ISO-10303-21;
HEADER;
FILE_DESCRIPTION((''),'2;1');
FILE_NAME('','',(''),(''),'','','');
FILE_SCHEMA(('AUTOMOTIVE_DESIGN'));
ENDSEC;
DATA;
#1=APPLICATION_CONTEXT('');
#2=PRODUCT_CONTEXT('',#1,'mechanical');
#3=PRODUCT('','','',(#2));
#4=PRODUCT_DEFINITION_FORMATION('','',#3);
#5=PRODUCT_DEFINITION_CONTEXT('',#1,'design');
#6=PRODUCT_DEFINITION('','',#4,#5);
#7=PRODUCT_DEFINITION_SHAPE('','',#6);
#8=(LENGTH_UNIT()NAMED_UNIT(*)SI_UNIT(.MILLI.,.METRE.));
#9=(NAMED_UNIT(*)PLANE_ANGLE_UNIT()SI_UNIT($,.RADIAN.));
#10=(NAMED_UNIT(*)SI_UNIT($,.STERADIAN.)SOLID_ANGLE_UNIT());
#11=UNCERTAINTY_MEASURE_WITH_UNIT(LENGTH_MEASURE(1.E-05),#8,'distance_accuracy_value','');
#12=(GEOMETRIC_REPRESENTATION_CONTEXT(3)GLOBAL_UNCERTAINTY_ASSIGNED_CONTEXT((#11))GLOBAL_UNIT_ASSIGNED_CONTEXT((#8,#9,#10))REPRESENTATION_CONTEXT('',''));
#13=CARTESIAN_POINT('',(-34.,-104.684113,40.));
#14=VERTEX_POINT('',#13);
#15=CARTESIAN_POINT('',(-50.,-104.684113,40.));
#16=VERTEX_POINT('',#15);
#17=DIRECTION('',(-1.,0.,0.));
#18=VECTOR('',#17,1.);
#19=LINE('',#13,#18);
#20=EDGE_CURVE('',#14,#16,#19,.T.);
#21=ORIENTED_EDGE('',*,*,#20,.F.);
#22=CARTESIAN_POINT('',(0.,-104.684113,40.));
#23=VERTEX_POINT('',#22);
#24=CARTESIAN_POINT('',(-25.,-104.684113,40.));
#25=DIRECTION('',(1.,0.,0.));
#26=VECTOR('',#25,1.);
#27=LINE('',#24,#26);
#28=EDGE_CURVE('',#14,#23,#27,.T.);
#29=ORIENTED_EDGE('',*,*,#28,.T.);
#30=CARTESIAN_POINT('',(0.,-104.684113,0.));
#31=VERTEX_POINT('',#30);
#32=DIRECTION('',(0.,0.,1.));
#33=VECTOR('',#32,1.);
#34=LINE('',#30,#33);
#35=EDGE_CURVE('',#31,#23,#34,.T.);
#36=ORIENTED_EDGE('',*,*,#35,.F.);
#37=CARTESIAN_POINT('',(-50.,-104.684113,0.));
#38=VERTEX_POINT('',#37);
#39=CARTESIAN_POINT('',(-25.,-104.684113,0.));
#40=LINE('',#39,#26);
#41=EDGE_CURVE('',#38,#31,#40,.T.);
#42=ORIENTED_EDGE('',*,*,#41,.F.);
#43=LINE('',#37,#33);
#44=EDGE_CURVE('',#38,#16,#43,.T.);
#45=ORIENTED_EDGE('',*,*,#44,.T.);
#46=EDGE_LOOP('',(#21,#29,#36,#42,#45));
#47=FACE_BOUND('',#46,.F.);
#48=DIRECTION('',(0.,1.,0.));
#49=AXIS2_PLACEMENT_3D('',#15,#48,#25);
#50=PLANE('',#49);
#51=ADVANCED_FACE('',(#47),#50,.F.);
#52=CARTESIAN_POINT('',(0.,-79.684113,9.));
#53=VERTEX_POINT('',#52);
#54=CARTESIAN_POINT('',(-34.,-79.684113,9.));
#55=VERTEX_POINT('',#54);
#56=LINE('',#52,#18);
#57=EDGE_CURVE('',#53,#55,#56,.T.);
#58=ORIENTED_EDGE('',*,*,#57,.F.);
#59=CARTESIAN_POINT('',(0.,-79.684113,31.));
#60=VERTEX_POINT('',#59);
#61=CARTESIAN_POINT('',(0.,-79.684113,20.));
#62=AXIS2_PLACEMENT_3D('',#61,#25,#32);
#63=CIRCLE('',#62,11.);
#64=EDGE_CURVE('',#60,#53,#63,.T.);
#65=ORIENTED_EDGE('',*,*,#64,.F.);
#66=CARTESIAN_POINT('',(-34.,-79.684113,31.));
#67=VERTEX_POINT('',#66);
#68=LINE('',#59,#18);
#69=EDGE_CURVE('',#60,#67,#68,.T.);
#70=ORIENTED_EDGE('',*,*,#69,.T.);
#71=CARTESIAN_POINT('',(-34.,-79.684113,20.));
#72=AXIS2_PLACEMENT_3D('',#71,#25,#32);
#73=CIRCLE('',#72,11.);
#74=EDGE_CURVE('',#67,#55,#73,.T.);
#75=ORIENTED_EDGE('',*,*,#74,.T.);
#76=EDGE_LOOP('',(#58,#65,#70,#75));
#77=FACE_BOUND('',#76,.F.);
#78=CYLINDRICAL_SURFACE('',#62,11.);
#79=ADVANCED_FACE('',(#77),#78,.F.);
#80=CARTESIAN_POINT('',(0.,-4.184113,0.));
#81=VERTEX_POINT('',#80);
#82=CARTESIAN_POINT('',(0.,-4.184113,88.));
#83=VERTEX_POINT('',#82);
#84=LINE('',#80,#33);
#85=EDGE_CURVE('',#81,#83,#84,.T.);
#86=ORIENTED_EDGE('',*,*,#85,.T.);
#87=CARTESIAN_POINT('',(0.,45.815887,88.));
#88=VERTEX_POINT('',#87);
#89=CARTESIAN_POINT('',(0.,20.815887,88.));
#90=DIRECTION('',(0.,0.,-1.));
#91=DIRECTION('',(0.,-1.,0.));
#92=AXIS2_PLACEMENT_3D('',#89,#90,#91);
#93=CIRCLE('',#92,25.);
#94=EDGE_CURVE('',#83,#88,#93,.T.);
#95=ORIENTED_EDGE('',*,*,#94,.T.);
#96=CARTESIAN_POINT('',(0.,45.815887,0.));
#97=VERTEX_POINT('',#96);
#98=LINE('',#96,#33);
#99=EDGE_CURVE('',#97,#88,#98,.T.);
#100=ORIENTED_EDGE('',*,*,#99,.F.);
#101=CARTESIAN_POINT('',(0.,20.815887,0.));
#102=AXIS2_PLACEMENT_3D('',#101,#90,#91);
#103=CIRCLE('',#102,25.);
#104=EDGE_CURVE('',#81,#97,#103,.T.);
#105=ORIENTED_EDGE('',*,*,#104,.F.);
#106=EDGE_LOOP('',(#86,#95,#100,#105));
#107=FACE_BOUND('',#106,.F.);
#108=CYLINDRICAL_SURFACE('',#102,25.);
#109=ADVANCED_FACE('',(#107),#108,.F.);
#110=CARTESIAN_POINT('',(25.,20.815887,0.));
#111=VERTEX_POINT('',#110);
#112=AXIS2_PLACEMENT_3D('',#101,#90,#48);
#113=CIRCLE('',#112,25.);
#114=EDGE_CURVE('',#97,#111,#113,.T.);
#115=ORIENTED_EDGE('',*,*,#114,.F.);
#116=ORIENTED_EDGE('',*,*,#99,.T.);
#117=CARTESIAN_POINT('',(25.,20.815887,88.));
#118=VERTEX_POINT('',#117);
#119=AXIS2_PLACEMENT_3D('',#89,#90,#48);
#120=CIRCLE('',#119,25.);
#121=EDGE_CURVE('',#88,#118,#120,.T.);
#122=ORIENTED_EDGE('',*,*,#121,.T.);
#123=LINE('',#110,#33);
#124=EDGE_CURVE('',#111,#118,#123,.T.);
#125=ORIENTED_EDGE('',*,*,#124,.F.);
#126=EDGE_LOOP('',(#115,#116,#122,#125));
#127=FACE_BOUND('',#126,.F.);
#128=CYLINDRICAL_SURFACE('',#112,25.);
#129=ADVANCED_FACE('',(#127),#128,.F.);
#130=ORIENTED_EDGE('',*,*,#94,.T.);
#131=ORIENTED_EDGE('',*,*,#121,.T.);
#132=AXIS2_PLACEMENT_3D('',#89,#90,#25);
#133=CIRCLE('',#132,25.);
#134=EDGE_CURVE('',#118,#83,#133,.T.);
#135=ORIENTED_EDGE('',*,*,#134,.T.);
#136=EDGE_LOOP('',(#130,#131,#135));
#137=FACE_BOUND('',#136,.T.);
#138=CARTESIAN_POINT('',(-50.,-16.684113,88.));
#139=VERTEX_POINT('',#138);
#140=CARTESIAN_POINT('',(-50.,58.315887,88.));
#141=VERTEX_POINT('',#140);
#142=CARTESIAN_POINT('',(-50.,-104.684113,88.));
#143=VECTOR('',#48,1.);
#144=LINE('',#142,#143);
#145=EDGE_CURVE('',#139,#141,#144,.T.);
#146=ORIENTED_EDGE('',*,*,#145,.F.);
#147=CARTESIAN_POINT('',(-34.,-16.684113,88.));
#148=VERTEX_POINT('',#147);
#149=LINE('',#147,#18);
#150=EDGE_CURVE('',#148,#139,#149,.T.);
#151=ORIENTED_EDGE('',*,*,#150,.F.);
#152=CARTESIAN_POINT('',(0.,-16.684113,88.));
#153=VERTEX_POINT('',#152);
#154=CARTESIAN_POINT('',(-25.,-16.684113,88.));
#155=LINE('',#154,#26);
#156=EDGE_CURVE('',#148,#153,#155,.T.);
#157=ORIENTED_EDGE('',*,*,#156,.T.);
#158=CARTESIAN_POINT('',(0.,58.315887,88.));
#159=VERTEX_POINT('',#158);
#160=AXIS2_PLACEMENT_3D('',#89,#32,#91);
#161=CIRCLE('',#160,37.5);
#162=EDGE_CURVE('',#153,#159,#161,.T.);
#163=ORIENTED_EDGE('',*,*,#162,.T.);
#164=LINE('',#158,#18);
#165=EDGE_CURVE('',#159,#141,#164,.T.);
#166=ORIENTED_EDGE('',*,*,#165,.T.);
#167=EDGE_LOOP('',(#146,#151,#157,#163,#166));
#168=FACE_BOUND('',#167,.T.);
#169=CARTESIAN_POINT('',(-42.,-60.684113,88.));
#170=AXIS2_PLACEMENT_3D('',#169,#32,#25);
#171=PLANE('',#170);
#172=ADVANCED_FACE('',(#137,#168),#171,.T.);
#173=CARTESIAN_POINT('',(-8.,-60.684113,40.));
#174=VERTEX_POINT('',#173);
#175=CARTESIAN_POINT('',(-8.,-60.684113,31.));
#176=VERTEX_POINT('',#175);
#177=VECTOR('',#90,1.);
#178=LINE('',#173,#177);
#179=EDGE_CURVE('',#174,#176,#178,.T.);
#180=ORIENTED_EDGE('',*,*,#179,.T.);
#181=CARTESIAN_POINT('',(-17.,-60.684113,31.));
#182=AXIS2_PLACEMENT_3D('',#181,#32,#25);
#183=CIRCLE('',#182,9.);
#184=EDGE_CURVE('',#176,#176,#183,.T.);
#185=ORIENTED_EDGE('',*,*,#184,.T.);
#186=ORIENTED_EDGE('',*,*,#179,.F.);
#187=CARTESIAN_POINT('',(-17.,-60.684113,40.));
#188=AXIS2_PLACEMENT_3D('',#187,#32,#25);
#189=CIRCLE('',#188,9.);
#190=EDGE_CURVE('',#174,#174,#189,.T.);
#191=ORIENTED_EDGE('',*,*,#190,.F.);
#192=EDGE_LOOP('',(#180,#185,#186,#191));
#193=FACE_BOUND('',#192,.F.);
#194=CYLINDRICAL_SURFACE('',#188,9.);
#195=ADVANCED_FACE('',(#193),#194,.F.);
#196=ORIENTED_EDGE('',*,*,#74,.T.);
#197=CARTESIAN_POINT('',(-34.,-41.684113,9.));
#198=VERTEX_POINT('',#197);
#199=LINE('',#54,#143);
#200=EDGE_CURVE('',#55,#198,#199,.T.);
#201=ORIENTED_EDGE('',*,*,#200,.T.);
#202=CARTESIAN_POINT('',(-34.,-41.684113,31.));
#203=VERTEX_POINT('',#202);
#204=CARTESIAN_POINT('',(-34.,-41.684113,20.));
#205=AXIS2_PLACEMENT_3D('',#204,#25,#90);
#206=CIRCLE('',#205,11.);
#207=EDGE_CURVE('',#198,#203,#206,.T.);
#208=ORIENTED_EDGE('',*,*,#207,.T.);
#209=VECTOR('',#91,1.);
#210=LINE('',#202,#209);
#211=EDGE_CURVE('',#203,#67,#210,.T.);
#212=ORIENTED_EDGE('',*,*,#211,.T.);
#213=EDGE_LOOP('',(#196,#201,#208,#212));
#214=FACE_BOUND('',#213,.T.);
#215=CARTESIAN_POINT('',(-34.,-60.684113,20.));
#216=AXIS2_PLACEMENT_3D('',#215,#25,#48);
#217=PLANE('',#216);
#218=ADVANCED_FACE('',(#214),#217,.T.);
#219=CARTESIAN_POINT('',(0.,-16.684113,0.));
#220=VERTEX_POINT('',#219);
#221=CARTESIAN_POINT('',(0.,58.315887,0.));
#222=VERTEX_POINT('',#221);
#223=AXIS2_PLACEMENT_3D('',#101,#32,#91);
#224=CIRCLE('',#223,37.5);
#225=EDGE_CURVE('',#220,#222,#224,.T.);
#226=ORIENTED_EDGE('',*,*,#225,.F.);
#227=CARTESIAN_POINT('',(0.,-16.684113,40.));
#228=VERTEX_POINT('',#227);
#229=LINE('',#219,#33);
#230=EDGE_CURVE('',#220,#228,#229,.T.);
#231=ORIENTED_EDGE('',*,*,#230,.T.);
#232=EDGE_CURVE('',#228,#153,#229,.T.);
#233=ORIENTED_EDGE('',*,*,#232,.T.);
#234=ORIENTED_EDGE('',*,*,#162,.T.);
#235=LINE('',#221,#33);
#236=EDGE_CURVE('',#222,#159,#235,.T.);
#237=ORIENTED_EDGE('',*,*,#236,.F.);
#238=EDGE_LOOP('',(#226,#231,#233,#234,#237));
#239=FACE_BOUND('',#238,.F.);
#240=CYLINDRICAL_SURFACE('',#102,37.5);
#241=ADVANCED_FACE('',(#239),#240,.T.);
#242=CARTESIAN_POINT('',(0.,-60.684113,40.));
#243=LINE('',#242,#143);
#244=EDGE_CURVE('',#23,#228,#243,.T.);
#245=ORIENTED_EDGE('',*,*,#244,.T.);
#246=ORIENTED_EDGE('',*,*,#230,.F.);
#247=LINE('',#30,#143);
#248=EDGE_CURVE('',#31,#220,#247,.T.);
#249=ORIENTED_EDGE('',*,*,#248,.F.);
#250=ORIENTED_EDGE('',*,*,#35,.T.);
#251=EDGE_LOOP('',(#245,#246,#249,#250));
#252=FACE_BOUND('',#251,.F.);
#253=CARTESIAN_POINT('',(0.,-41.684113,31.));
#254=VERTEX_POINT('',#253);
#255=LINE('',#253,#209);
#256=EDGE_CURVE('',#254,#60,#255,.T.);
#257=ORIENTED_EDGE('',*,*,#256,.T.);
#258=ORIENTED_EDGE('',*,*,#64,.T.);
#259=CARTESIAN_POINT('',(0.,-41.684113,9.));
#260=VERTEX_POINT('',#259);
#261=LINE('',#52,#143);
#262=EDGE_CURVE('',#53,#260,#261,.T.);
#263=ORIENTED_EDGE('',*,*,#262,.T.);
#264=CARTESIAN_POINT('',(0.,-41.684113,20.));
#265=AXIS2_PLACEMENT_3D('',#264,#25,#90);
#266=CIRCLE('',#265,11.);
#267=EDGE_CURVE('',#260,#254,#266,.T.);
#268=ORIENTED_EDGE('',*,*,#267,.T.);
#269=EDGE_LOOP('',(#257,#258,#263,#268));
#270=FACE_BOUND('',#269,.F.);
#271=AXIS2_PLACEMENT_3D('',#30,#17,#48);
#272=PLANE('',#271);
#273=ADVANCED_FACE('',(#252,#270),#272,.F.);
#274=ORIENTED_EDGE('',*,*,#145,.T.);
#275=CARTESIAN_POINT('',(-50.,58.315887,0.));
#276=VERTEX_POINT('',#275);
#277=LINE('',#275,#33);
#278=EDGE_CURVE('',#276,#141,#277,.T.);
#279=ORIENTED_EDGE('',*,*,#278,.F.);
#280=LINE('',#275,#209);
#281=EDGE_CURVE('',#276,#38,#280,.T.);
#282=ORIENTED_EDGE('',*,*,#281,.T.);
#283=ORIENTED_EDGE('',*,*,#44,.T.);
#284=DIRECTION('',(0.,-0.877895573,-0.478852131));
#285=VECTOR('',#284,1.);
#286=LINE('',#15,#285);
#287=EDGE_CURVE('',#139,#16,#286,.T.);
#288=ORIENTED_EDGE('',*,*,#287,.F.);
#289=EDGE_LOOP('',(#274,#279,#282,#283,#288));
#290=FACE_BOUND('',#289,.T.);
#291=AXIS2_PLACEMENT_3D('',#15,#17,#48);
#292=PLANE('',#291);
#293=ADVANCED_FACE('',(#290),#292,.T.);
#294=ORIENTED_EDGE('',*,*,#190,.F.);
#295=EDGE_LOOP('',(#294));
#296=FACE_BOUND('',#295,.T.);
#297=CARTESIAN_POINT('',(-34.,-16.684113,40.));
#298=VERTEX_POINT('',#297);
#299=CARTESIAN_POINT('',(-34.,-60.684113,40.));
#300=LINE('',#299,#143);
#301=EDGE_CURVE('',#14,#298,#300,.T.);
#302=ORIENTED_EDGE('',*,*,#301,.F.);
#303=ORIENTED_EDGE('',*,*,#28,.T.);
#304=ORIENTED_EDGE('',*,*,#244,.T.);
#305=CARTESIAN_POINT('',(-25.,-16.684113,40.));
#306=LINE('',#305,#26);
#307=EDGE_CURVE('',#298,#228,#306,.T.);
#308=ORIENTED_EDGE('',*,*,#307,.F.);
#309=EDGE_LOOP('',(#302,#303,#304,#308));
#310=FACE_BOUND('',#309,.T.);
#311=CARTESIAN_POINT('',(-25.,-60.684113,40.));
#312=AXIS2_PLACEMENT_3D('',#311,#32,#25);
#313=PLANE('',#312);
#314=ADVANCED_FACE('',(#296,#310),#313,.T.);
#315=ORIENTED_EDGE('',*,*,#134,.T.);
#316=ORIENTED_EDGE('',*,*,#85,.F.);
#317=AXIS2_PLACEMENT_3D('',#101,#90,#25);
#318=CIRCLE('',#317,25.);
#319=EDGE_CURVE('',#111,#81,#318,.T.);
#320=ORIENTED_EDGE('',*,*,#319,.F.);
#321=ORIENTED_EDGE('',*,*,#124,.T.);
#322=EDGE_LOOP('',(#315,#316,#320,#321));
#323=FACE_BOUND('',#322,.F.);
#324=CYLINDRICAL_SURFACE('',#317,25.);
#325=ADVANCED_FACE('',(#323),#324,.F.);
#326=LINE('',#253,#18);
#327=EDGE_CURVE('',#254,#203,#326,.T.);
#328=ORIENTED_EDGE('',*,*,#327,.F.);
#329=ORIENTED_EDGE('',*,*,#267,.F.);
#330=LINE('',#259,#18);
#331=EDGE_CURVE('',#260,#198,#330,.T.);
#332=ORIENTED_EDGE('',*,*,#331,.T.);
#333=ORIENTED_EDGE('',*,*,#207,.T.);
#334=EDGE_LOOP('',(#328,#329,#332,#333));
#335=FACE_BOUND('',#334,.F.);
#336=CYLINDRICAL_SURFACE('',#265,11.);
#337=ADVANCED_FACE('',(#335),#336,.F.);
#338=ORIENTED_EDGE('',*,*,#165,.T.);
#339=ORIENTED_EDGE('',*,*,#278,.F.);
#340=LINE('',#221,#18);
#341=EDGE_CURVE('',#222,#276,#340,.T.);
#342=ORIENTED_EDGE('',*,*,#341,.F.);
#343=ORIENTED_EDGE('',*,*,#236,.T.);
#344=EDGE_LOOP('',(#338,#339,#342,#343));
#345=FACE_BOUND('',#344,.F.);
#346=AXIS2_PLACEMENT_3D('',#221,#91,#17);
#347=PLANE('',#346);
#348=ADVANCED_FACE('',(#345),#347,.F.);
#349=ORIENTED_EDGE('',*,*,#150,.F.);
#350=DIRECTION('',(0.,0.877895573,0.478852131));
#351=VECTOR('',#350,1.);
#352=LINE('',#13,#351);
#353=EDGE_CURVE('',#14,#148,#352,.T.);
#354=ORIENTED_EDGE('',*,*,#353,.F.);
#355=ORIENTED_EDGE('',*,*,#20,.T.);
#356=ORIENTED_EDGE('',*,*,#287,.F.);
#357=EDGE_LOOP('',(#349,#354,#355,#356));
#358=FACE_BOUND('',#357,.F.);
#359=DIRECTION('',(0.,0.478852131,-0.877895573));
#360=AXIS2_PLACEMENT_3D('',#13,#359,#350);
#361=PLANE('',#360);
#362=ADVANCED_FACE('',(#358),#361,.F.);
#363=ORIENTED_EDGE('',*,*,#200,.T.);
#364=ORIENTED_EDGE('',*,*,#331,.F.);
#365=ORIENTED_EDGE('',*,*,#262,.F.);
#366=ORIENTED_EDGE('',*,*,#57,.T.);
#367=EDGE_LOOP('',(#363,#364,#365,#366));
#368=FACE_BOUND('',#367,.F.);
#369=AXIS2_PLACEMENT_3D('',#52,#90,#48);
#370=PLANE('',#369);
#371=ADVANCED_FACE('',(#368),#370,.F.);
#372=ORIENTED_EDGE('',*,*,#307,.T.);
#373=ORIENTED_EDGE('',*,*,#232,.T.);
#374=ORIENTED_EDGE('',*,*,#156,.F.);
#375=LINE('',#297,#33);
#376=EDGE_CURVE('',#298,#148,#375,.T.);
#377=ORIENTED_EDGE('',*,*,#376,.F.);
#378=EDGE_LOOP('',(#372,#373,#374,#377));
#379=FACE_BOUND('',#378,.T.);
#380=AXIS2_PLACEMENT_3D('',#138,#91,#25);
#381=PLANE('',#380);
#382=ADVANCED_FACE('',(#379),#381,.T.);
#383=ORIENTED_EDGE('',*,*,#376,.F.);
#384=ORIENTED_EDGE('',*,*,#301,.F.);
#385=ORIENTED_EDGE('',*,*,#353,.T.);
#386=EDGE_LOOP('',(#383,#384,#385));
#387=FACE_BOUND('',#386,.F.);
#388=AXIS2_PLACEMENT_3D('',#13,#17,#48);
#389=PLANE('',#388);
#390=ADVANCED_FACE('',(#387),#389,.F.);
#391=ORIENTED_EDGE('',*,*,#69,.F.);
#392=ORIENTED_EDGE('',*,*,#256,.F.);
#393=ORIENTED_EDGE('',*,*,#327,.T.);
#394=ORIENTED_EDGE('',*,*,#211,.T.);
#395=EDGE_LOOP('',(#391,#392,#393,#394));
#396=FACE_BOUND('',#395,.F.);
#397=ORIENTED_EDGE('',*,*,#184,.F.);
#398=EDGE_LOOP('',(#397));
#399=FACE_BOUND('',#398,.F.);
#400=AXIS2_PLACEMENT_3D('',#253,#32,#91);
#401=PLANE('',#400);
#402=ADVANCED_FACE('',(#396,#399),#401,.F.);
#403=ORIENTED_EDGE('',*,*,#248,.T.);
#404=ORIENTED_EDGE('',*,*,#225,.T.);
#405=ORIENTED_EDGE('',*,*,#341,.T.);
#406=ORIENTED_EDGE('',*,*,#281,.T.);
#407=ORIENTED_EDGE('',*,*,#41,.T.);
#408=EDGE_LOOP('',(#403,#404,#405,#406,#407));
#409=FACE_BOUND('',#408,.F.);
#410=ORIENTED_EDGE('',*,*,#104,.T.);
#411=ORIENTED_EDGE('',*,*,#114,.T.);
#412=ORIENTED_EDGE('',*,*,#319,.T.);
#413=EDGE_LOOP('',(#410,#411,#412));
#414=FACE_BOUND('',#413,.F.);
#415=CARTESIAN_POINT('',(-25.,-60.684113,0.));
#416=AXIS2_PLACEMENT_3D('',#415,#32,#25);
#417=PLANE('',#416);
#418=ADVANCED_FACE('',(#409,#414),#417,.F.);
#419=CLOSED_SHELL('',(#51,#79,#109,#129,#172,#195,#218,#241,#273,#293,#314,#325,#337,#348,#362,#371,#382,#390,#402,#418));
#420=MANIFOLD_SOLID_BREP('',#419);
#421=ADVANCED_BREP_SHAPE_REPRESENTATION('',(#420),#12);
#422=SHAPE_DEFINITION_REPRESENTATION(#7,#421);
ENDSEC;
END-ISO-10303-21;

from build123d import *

# Parameters (mm, degrees)
F0_W      = 50
F0_H      = 88
F1_DEPTH  = 88
F2_W      = 50
F2_H      = 88
F3_DEPTH  = 48
F4_W      = 16
F4_H      = 88
F5_DEPTH  = 48
F7_DEPTH  = 25
F8_R      = 9
F9_DEPTH  = 31
F11_DEPTH = 34


with BuildPart() as f1:
    # F0 (on Top) → F1 (new body)
    with BuildSketch(Plane.XY):
        with Locations((-25, -60.6841130704)):
            Rectangle(F0_W, F0_H)
        with BuildLine():
            Line((0, 58.3158869296), (-50, 58.3158869296))
            Line((-50, 58.3158869296), (-50, -16.6841130704))
            Line((-50, -16.6841130704), (0, -16.6841130704))
            Line((0, -16.6841130704), (0, -4.1841130704))
            ThreePointArc((0, -4.1841130704), (-25, 20.8158869296), (0, 45.8158869296))
            Line((0, 45.8158869296), (0, 58.3158869296))
        make_face()
        with BuildLine():
            ThreePointArc((0, -16.6841130704), (37.5, 20.8158869296), (0, 58.3158869296))
            Line((0, 58.3158869296), (0, 45.8158869296))
            ThreePointArc((0, 45.8158869296), (17.6776695297, 38.4935564593), (25, 20.8158869296))
            ThreePointArc((25, 20.8158869296), (17.6776695297, 3.1382174), (0, -4.1841130704))
            Line((0, -4.1841130704), (0, -16.6841130704))
        make_face()
    extrude(amount=F1_DEPTH)

    # F2 (on face) → F3 (cut)
    with BuildSketch(Plane.XY.offset(88)):
        with Locations((-25, -60.6841130704)):
            Rectangle(F2_W, F2_H)
    extrude(amount=-F3_DEPTH, mode=Mode.SUBTRACT)

    # F4 (on face) → F5 (join)
    with BuildSketch(Plane.XY.offset(40)):
        with Locations((-42, -60.6841130704)):
            Rectangle(F4_W, F4_H)
    extrude(amount=F5_DEPTH)

    # F6 (on face) → F7 (cut)
    with BuildSketch(Plane.YZ.offset(-34)):
        Polygon((-104.6841130704, 88), (-104.6841130704, 40), (-16.6841130704, 88), align=None)
    extrude(amount=-F7_DEPTH, mode=Mode.SUBTRACT)

    # F8 (on face) → F9 (cut)
    with BuildSketch(Plane.XY.offset(40)):
        with Locations((-17, -60.6841130704)):
            Circle(F8_R)
    extrude(amount=-F9_DEPTH, mode=Mode.SUBTRACT)

    # F10 (on face) → F11 (cut)
    with BuildSketch(Plane.YZ):
        with BuildLine():
            Line((-41.6841130704, 31), (-79.6841130704, 31))
            ThreePointArc((-79.6841130704, 31), (-90.6841130704, 20), (-79.6841130704, 9))
            Line((-79.6841130704, 9), (-41.6841130704, 9))
            ThreePointArc((-41.6841130704, 9), (-30.6841130704, 20), (-41.6841130704, 31))
        make_face()
    extrude(amount=-F11_DEPTH, mode=Mode.SUBTRACT)


solid = f1.part
